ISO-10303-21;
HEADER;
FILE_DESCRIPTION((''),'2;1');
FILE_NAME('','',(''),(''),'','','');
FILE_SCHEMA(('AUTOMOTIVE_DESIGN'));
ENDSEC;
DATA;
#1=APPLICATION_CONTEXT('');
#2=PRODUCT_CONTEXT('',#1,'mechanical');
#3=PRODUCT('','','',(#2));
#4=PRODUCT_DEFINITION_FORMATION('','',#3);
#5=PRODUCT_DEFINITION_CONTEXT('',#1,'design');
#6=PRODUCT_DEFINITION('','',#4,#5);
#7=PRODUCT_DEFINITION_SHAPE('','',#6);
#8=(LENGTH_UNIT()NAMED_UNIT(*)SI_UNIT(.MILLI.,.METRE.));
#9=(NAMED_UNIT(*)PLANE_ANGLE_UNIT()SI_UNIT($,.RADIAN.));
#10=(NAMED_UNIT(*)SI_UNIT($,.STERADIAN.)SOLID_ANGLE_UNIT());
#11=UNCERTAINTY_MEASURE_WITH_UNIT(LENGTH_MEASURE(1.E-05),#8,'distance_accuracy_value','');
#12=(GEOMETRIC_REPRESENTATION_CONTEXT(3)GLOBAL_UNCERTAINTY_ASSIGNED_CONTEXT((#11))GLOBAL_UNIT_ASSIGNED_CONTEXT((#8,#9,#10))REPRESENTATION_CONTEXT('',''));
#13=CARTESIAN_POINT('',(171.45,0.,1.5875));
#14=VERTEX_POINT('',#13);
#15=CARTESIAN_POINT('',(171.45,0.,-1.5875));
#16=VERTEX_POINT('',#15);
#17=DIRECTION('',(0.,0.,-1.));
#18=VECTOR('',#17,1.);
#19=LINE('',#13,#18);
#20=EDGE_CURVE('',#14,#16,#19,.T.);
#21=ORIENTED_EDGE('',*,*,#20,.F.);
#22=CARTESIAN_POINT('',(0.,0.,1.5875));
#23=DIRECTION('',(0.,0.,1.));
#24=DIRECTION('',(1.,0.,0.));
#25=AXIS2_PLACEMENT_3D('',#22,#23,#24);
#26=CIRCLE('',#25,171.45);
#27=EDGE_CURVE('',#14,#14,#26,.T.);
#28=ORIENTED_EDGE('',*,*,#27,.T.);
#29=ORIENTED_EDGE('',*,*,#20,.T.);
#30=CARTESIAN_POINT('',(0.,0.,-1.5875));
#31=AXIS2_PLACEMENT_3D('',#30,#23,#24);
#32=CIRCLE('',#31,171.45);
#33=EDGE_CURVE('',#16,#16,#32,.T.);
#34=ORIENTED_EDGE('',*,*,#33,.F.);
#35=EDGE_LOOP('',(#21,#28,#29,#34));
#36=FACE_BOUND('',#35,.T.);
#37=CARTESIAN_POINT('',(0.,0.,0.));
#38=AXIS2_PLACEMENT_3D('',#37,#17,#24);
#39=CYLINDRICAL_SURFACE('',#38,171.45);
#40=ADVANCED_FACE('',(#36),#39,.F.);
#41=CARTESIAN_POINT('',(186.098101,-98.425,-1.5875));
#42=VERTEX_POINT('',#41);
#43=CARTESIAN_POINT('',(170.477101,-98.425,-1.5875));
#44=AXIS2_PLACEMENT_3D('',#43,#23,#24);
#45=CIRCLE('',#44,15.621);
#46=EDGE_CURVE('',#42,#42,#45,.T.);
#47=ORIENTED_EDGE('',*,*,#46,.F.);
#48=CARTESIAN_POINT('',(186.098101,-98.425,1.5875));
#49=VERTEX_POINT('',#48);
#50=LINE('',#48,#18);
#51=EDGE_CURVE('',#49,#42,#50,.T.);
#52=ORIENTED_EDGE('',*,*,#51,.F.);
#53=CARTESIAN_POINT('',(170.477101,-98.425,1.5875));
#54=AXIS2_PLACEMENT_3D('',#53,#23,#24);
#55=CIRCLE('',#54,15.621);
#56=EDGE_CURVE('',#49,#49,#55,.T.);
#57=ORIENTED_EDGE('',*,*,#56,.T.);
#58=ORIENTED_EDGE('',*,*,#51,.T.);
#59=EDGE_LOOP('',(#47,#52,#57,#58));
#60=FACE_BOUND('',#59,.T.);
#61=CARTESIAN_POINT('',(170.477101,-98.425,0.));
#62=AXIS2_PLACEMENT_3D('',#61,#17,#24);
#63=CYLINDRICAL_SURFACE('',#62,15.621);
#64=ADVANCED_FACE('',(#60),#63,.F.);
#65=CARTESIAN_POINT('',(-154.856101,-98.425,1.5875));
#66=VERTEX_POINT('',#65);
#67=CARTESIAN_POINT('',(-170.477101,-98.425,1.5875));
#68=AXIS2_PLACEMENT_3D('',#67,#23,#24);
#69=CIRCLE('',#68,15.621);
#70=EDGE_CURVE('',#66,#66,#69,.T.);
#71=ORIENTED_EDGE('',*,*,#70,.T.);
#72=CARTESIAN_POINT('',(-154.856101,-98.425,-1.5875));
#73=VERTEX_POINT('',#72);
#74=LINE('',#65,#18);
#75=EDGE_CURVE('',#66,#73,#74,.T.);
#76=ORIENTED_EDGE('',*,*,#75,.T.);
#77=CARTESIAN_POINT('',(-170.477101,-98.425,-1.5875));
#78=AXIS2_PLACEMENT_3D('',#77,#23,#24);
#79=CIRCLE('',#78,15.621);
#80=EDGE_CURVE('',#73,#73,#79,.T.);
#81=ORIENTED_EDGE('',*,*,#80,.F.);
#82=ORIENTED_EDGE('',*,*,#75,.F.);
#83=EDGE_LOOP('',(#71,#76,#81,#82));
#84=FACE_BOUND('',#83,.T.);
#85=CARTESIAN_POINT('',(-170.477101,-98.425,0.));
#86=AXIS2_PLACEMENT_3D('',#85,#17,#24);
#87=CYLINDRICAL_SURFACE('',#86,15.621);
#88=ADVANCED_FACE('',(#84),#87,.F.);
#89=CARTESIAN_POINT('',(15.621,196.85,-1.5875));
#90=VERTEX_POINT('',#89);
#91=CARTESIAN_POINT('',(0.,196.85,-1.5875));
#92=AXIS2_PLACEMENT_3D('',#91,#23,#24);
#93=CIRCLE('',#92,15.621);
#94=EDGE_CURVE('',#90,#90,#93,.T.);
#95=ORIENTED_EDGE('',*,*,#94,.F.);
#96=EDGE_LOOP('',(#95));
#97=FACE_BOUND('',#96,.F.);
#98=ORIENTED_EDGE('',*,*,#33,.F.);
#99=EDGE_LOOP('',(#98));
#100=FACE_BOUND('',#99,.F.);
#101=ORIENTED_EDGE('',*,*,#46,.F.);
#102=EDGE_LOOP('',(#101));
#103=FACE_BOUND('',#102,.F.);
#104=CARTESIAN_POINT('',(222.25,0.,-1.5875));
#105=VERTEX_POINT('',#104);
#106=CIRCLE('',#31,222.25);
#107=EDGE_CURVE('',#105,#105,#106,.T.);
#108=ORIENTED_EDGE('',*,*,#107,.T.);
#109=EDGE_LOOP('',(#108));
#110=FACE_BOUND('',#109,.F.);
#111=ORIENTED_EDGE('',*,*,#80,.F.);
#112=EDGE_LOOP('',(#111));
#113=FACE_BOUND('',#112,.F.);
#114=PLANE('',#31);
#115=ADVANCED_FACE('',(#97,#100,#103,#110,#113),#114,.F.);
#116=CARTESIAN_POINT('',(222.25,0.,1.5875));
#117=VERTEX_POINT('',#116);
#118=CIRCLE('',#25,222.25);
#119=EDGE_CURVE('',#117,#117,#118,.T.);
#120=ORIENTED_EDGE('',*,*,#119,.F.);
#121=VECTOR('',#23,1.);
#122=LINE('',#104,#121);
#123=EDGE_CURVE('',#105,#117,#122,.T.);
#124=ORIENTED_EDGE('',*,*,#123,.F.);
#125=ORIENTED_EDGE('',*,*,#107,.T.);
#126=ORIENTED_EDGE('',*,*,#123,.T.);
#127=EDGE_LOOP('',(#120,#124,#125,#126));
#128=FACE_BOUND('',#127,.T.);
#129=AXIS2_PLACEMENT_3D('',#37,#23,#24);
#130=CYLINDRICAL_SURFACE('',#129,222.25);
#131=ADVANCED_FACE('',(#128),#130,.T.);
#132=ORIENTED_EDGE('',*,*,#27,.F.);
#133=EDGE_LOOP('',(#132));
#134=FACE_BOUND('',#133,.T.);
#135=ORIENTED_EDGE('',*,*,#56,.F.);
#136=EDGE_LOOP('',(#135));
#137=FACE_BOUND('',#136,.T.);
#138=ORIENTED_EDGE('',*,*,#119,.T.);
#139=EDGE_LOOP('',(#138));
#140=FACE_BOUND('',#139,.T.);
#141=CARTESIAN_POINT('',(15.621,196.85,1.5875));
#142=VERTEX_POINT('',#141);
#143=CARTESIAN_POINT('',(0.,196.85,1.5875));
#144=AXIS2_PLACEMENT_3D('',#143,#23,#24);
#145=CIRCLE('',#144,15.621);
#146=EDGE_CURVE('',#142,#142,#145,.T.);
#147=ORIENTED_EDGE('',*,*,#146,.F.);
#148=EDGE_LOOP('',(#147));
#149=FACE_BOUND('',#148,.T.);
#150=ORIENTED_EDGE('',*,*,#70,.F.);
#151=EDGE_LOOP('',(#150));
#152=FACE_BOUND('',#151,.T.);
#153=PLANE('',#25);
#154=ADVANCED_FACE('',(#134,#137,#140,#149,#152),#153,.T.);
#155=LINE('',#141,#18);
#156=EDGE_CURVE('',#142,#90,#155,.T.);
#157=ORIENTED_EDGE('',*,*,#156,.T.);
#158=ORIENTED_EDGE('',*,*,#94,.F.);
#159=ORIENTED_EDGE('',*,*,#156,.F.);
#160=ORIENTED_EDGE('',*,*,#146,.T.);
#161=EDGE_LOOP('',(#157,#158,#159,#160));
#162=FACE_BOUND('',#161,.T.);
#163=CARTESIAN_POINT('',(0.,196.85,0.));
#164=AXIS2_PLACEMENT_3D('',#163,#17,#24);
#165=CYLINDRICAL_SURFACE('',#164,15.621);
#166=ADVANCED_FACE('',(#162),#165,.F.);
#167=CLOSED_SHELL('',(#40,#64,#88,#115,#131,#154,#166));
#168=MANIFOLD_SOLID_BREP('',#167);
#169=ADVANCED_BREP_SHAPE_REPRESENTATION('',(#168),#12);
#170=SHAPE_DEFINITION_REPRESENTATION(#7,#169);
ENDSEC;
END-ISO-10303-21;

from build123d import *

# Parameters (mm, degrees)
F0_R     = 222.25
F0_R_2   = 15.621
F0_R_3   = 171.45
F1_DEPTH = 1.5875


with BuildPart() as f1:
    # F0 (on Top) → F1 (new body, symmetric)
    with BuildSketch(Plane.XY):
        Circle(F0_R)
        with Locations((-170.477101, -98.425)):
            Circle(F0_R_2, mode=Mode.SUBTRACT)
        with Locations((170.477101, -98.425)):
            Circle(F0_R_2, mode=Mode.SUBTRACT)
        Circle(F0_R_3, mode=Mode.SUBTRACT)
        with Locations((0, 196.85)):
            Circle(F0_R_2, mode=Mode.SUBTRACT)
    extrude(amount=F1_DEPTH, both=True)


solid = f1.part
